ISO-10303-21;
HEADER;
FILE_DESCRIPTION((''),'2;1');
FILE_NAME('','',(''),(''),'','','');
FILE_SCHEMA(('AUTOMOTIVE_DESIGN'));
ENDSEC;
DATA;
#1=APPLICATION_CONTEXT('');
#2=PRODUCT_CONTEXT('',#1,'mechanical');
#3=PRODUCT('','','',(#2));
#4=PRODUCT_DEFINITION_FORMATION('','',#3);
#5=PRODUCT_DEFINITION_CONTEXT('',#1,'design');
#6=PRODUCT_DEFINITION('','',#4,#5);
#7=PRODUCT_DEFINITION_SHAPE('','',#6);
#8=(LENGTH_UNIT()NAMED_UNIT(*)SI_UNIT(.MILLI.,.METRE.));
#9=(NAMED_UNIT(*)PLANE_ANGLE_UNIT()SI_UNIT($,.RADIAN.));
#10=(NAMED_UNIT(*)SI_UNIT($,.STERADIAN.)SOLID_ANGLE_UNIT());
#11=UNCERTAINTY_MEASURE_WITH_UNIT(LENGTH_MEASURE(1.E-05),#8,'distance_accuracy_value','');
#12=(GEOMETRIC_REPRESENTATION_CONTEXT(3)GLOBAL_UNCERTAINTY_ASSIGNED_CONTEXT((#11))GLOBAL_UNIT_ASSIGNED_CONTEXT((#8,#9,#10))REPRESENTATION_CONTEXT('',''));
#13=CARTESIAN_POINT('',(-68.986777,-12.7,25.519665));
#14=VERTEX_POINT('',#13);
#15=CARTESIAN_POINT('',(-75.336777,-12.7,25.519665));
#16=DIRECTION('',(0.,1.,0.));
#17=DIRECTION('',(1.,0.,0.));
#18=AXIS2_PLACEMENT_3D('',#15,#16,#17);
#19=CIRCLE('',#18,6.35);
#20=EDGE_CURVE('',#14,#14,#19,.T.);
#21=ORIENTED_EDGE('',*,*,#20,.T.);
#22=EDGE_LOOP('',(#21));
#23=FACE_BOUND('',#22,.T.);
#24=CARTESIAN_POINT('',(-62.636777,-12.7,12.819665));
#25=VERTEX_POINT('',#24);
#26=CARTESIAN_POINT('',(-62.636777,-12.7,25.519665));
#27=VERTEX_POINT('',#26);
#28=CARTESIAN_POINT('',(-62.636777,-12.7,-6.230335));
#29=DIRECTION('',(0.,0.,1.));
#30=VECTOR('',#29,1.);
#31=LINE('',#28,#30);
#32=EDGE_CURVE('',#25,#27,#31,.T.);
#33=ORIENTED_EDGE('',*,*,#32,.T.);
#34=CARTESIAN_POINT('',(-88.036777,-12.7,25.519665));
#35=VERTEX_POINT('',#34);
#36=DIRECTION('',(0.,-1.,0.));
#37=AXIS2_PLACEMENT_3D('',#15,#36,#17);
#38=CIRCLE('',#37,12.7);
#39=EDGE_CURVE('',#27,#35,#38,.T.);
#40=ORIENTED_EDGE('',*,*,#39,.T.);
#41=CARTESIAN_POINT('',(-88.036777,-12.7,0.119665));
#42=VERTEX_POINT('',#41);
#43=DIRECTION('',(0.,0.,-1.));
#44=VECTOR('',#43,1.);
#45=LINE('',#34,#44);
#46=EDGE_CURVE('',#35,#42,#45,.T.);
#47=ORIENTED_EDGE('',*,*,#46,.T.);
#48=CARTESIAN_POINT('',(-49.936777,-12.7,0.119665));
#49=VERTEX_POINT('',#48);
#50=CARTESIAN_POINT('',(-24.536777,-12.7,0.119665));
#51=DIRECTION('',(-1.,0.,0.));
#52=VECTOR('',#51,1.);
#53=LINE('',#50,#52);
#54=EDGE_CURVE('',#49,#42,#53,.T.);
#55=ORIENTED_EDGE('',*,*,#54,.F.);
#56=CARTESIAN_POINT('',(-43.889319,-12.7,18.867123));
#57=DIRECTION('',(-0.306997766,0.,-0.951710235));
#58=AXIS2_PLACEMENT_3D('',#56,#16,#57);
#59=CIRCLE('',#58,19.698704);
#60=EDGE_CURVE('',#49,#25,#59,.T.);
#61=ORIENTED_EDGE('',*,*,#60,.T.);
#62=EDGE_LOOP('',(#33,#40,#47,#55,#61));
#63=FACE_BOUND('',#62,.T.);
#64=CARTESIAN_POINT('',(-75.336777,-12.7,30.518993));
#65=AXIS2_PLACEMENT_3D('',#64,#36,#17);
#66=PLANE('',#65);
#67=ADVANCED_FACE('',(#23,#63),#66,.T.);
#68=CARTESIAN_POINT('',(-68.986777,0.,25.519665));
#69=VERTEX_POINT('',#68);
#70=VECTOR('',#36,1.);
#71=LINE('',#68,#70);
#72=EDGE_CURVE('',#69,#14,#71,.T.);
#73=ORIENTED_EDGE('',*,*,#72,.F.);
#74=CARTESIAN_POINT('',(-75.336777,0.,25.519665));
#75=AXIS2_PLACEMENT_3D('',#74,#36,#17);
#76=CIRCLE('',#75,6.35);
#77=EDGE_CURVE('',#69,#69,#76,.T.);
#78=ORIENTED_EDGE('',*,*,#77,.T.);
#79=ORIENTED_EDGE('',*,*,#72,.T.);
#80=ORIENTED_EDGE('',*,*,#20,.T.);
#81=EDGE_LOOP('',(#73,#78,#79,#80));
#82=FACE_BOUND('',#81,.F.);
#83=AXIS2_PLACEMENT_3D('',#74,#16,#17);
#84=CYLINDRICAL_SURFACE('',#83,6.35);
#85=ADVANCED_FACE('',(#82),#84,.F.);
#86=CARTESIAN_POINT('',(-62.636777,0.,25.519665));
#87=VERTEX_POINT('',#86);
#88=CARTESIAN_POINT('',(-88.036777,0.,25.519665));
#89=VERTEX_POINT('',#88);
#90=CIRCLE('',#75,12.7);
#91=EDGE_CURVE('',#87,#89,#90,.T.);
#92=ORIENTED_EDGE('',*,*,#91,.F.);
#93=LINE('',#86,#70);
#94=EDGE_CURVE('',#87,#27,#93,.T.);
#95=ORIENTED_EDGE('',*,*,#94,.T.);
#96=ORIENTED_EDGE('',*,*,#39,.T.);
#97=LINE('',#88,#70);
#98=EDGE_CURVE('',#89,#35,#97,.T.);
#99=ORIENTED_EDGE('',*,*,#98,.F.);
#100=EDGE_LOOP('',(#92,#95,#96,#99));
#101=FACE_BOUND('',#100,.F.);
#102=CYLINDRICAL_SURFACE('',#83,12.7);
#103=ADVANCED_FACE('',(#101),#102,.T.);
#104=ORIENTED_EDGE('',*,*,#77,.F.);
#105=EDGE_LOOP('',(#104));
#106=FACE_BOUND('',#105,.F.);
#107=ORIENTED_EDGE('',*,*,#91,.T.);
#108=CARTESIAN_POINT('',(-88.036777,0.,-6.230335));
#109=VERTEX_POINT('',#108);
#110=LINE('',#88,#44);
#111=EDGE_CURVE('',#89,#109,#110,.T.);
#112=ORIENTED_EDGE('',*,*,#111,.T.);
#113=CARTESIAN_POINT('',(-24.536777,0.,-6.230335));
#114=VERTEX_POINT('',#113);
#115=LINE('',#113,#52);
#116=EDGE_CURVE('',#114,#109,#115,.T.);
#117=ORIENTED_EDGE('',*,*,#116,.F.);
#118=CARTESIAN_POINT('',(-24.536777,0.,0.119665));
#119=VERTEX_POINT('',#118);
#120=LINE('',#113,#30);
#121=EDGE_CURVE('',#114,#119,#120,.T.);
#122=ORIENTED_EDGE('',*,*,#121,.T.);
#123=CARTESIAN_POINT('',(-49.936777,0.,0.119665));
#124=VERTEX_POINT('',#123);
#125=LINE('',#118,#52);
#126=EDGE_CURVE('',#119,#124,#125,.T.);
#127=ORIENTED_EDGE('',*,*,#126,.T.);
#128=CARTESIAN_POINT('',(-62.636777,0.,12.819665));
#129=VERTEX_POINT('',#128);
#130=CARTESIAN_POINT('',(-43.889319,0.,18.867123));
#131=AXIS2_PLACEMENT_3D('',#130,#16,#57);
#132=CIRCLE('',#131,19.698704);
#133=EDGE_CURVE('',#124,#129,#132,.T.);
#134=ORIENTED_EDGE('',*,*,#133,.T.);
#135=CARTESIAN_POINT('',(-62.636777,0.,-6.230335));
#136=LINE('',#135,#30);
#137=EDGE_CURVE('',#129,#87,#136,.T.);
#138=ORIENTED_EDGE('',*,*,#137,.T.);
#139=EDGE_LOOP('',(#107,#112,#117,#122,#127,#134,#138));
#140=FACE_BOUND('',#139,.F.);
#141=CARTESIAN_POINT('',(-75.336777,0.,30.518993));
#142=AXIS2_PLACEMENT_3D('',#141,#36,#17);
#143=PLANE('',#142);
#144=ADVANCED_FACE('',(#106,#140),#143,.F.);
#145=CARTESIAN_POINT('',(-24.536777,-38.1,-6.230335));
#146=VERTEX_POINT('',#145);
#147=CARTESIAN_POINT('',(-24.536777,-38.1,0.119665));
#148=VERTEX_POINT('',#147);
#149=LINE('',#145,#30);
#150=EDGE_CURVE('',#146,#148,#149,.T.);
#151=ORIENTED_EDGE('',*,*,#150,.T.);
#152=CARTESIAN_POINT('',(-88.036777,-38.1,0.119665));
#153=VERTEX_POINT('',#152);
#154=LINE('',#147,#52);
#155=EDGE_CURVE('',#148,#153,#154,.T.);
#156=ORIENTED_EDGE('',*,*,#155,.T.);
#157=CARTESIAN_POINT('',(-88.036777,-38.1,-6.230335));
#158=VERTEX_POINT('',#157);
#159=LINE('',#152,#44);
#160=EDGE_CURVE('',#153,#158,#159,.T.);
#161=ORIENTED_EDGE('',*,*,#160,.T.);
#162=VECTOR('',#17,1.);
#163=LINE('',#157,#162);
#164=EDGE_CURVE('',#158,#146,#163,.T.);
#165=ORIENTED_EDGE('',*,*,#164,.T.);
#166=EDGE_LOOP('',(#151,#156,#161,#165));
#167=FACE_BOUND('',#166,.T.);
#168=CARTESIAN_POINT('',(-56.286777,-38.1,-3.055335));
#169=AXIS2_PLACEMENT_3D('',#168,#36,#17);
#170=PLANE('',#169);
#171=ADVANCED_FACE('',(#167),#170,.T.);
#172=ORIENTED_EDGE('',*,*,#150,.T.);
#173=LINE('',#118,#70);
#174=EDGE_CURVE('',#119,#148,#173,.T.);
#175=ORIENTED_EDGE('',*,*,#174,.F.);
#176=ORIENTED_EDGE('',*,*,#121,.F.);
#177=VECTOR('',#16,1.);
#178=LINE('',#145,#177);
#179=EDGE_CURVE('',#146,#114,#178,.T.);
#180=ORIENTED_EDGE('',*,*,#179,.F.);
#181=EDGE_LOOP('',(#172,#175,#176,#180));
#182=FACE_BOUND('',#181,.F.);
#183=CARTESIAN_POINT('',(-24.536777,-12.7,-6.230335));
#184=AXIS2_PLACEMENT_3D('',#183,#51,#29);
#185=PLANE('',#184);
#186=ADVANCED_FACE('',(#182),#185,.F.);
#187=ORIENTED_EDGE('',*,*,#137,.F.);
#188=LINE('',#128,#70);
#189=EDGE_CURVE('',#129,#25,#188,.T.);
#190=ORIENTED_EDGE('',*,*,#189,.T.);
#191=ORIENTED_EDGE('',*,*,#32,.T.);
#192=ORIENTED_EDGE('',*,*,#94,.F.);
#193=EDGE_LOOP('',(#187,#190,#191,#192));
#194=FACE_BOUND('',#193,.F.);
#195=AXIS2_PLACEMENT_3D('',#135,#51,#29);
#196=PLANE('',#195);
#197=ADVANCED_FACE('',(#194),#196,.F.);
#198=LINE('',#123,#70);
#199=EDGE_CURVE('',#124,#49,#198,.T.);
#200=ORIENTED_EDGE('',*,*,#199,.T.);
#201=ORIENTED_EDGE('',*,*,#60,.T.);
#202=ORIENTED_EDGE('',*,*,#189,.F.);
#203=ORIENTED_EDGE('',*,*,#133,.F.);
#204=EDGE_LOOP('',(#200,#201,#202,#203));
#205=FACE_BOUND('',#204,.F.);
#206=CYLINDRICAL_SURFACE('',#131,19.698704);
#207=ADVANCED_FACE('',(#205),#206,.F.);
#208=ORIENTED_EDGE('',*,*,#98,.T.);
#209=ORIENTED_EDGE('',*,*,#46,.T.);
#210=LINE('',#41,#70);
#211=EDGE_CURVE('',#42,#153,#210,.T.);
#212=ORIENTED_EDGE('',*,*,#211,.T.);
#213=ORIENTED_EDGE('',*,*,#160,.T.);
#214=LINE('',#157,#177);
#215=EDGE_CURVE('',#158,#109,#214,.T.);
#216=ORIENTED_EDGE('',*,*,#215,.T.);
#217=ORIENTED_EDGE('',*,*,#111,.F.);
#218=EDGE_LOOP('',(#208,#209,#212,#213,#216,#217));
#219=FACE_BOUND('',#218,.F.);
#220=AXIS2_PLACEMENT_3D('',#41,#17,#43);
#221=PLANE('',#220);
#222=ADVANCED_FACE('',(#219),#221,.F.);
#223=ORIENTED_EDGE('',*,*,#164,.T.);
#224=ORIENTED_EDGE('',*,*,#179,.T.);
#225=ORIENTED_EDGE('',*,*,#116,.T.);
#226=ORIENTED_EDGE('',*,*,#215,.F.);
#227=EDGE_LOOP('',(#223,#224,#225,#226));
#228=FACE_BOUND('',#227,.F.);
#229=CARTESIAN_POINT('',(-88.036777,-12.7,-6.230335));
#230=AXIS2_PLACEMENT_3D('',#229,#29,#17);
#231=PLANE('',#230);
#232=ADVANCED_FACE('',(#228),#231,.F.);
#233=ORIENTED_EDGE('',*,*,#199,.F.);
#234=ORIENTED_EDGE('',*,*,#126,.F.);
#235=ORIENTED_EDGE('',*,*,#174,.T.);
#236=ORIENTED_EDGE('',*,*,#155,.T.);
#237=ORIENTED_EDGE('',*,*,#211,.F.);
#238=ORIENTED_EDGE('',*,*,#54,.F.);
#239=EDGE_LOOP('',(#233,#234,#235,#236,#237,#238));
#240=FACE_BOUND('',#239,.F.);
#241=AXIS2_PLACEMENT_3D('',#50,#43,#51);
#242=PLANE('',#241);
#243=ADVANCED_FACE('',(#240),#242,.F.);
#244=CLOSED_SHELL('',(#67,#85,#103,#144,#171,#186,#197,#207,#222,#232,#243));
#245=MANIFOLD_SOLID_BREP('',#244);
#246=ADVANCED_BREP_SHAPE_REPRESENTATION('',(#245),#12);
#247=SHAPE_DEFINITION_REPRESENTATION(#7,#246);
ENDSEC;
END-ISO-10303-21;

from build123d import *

# Parameters (mm, degrees)
F1_DEPTH = 12.7
F2_DEPTH = 12.7
F4_DEPTH = 25.4


with BuildPart() as f1:
    # F0 (on Front) → F1 (new body)
    with BuildSketch(Plane.XZ):
        with BuildLine():
            ThreePointArc((-62.636777, 25.519665), (-75.336777, 38.219665), (-88.036777, 25.519665))
            Line((-88.036777, 25.519665), (-81.686777, 25.519665))
            ThreePointArc((-81.686777, 25.519665), (-75.336777, 31.869665), (-68.986777, 25.519665))
            Line((-68.986777, 25.519665), (-62.636777, 25.519665))
        make_face()
        with BuildLine():
            Line((-81.686777, 25.519665), (-88.036777, 25.519665))
            Line((-88.036777, 25.519665), (-88.036777, -6.230335))
            Line((-88.036777, -6.230335), (-62.636777, -6.230335))
            Line((-62.636777, -6.230335), (-62.636777, 0.119665))
            Line((-62.636777, 0.119665), (-62.636777, 12.819665))
            Line((-62.636777, 12.819665), (-62.636777, 25.519665))
            Line((-62.636777, 25.519665), (-68.986777, 25.519665))
            ThreePointArc((-68.986777, 25.519665), (-75.336777, 19.169665), (-81.686777, 25.519665))
        make_face()
    extrude(amount=F1_DEPTH)

    # F0 (on Front) → F2 (join)
    with BuildSketch(Plane.XZ):
        with BuildLine():
            Line((-81.686777, 25.519665), (-88.036777, 25.519665))
            Line((-88.036777, 25.519665), (-88.036777, -6.230335))
            Line((-88.036777, -6.230335), (-62.636777, -6.230335))
            Line((-62.636777, -6.230335), (-62.636777, 0.119665))
            Line((-62.636777, 0.119665), (-62.636777, 12.819665))
            Line((-62.636777, 12.819665), (-62.636777, 25.519665))
            Line((-62.636777, 25.519665), (-68.986777, 25.519665))
            ThreePointArc((-68.986777, 25.519665), (-75.336777, 19.169665), (-81.686777, 25.519665))
        make_face()
        with BuildLine():
            ThreePointArc((-62.636777, 25.519665), (-75.336777, 38.219665), (-88.036777, 25.519665))
            Line((-88.036777, 25.519665), (-81.686777, 25.519665))
            ThreePointArc((-81.686777, 25.519665), (-75.336777, 31.869665), (-68.986777, 25.519665))
            Line((-68.986777, 25.519665), (-62.636777, 25.519665))
        make_face()
        Polygon((-62.636777, 0.119665), (-62.636777, -6.230335), (-24.536777, -6.230335), (-24.536777, 0.119665), (-49.936777, 0.119665), align=None)
        with BuildLine():
            ThreePointArc((-49.936777, 0.119665), (-57.818406, 4.938036), (-62.636777, 12.819665))
            Line((-62.636777, 12.819665), (-62.636777, 0.119665))
            Line((-62.636777, 0.119665), (-49.936777, 0.119665))
        make_face()
    extrude(amount=F2_DEPTH)

    # F3 (on face) → F4 (join)
    with BuildSketch(Plane.XZ.offset(12.7)):
        Polygon((-24.536777, -6.230335), (-24.536777, 0.119665), (-49.936777, 0.119665), (-88.036777, 0.119665), (-88.036777, -6.230335), align=None)
    extrude(amount=F4_DEPTH)


solid = f1.part
